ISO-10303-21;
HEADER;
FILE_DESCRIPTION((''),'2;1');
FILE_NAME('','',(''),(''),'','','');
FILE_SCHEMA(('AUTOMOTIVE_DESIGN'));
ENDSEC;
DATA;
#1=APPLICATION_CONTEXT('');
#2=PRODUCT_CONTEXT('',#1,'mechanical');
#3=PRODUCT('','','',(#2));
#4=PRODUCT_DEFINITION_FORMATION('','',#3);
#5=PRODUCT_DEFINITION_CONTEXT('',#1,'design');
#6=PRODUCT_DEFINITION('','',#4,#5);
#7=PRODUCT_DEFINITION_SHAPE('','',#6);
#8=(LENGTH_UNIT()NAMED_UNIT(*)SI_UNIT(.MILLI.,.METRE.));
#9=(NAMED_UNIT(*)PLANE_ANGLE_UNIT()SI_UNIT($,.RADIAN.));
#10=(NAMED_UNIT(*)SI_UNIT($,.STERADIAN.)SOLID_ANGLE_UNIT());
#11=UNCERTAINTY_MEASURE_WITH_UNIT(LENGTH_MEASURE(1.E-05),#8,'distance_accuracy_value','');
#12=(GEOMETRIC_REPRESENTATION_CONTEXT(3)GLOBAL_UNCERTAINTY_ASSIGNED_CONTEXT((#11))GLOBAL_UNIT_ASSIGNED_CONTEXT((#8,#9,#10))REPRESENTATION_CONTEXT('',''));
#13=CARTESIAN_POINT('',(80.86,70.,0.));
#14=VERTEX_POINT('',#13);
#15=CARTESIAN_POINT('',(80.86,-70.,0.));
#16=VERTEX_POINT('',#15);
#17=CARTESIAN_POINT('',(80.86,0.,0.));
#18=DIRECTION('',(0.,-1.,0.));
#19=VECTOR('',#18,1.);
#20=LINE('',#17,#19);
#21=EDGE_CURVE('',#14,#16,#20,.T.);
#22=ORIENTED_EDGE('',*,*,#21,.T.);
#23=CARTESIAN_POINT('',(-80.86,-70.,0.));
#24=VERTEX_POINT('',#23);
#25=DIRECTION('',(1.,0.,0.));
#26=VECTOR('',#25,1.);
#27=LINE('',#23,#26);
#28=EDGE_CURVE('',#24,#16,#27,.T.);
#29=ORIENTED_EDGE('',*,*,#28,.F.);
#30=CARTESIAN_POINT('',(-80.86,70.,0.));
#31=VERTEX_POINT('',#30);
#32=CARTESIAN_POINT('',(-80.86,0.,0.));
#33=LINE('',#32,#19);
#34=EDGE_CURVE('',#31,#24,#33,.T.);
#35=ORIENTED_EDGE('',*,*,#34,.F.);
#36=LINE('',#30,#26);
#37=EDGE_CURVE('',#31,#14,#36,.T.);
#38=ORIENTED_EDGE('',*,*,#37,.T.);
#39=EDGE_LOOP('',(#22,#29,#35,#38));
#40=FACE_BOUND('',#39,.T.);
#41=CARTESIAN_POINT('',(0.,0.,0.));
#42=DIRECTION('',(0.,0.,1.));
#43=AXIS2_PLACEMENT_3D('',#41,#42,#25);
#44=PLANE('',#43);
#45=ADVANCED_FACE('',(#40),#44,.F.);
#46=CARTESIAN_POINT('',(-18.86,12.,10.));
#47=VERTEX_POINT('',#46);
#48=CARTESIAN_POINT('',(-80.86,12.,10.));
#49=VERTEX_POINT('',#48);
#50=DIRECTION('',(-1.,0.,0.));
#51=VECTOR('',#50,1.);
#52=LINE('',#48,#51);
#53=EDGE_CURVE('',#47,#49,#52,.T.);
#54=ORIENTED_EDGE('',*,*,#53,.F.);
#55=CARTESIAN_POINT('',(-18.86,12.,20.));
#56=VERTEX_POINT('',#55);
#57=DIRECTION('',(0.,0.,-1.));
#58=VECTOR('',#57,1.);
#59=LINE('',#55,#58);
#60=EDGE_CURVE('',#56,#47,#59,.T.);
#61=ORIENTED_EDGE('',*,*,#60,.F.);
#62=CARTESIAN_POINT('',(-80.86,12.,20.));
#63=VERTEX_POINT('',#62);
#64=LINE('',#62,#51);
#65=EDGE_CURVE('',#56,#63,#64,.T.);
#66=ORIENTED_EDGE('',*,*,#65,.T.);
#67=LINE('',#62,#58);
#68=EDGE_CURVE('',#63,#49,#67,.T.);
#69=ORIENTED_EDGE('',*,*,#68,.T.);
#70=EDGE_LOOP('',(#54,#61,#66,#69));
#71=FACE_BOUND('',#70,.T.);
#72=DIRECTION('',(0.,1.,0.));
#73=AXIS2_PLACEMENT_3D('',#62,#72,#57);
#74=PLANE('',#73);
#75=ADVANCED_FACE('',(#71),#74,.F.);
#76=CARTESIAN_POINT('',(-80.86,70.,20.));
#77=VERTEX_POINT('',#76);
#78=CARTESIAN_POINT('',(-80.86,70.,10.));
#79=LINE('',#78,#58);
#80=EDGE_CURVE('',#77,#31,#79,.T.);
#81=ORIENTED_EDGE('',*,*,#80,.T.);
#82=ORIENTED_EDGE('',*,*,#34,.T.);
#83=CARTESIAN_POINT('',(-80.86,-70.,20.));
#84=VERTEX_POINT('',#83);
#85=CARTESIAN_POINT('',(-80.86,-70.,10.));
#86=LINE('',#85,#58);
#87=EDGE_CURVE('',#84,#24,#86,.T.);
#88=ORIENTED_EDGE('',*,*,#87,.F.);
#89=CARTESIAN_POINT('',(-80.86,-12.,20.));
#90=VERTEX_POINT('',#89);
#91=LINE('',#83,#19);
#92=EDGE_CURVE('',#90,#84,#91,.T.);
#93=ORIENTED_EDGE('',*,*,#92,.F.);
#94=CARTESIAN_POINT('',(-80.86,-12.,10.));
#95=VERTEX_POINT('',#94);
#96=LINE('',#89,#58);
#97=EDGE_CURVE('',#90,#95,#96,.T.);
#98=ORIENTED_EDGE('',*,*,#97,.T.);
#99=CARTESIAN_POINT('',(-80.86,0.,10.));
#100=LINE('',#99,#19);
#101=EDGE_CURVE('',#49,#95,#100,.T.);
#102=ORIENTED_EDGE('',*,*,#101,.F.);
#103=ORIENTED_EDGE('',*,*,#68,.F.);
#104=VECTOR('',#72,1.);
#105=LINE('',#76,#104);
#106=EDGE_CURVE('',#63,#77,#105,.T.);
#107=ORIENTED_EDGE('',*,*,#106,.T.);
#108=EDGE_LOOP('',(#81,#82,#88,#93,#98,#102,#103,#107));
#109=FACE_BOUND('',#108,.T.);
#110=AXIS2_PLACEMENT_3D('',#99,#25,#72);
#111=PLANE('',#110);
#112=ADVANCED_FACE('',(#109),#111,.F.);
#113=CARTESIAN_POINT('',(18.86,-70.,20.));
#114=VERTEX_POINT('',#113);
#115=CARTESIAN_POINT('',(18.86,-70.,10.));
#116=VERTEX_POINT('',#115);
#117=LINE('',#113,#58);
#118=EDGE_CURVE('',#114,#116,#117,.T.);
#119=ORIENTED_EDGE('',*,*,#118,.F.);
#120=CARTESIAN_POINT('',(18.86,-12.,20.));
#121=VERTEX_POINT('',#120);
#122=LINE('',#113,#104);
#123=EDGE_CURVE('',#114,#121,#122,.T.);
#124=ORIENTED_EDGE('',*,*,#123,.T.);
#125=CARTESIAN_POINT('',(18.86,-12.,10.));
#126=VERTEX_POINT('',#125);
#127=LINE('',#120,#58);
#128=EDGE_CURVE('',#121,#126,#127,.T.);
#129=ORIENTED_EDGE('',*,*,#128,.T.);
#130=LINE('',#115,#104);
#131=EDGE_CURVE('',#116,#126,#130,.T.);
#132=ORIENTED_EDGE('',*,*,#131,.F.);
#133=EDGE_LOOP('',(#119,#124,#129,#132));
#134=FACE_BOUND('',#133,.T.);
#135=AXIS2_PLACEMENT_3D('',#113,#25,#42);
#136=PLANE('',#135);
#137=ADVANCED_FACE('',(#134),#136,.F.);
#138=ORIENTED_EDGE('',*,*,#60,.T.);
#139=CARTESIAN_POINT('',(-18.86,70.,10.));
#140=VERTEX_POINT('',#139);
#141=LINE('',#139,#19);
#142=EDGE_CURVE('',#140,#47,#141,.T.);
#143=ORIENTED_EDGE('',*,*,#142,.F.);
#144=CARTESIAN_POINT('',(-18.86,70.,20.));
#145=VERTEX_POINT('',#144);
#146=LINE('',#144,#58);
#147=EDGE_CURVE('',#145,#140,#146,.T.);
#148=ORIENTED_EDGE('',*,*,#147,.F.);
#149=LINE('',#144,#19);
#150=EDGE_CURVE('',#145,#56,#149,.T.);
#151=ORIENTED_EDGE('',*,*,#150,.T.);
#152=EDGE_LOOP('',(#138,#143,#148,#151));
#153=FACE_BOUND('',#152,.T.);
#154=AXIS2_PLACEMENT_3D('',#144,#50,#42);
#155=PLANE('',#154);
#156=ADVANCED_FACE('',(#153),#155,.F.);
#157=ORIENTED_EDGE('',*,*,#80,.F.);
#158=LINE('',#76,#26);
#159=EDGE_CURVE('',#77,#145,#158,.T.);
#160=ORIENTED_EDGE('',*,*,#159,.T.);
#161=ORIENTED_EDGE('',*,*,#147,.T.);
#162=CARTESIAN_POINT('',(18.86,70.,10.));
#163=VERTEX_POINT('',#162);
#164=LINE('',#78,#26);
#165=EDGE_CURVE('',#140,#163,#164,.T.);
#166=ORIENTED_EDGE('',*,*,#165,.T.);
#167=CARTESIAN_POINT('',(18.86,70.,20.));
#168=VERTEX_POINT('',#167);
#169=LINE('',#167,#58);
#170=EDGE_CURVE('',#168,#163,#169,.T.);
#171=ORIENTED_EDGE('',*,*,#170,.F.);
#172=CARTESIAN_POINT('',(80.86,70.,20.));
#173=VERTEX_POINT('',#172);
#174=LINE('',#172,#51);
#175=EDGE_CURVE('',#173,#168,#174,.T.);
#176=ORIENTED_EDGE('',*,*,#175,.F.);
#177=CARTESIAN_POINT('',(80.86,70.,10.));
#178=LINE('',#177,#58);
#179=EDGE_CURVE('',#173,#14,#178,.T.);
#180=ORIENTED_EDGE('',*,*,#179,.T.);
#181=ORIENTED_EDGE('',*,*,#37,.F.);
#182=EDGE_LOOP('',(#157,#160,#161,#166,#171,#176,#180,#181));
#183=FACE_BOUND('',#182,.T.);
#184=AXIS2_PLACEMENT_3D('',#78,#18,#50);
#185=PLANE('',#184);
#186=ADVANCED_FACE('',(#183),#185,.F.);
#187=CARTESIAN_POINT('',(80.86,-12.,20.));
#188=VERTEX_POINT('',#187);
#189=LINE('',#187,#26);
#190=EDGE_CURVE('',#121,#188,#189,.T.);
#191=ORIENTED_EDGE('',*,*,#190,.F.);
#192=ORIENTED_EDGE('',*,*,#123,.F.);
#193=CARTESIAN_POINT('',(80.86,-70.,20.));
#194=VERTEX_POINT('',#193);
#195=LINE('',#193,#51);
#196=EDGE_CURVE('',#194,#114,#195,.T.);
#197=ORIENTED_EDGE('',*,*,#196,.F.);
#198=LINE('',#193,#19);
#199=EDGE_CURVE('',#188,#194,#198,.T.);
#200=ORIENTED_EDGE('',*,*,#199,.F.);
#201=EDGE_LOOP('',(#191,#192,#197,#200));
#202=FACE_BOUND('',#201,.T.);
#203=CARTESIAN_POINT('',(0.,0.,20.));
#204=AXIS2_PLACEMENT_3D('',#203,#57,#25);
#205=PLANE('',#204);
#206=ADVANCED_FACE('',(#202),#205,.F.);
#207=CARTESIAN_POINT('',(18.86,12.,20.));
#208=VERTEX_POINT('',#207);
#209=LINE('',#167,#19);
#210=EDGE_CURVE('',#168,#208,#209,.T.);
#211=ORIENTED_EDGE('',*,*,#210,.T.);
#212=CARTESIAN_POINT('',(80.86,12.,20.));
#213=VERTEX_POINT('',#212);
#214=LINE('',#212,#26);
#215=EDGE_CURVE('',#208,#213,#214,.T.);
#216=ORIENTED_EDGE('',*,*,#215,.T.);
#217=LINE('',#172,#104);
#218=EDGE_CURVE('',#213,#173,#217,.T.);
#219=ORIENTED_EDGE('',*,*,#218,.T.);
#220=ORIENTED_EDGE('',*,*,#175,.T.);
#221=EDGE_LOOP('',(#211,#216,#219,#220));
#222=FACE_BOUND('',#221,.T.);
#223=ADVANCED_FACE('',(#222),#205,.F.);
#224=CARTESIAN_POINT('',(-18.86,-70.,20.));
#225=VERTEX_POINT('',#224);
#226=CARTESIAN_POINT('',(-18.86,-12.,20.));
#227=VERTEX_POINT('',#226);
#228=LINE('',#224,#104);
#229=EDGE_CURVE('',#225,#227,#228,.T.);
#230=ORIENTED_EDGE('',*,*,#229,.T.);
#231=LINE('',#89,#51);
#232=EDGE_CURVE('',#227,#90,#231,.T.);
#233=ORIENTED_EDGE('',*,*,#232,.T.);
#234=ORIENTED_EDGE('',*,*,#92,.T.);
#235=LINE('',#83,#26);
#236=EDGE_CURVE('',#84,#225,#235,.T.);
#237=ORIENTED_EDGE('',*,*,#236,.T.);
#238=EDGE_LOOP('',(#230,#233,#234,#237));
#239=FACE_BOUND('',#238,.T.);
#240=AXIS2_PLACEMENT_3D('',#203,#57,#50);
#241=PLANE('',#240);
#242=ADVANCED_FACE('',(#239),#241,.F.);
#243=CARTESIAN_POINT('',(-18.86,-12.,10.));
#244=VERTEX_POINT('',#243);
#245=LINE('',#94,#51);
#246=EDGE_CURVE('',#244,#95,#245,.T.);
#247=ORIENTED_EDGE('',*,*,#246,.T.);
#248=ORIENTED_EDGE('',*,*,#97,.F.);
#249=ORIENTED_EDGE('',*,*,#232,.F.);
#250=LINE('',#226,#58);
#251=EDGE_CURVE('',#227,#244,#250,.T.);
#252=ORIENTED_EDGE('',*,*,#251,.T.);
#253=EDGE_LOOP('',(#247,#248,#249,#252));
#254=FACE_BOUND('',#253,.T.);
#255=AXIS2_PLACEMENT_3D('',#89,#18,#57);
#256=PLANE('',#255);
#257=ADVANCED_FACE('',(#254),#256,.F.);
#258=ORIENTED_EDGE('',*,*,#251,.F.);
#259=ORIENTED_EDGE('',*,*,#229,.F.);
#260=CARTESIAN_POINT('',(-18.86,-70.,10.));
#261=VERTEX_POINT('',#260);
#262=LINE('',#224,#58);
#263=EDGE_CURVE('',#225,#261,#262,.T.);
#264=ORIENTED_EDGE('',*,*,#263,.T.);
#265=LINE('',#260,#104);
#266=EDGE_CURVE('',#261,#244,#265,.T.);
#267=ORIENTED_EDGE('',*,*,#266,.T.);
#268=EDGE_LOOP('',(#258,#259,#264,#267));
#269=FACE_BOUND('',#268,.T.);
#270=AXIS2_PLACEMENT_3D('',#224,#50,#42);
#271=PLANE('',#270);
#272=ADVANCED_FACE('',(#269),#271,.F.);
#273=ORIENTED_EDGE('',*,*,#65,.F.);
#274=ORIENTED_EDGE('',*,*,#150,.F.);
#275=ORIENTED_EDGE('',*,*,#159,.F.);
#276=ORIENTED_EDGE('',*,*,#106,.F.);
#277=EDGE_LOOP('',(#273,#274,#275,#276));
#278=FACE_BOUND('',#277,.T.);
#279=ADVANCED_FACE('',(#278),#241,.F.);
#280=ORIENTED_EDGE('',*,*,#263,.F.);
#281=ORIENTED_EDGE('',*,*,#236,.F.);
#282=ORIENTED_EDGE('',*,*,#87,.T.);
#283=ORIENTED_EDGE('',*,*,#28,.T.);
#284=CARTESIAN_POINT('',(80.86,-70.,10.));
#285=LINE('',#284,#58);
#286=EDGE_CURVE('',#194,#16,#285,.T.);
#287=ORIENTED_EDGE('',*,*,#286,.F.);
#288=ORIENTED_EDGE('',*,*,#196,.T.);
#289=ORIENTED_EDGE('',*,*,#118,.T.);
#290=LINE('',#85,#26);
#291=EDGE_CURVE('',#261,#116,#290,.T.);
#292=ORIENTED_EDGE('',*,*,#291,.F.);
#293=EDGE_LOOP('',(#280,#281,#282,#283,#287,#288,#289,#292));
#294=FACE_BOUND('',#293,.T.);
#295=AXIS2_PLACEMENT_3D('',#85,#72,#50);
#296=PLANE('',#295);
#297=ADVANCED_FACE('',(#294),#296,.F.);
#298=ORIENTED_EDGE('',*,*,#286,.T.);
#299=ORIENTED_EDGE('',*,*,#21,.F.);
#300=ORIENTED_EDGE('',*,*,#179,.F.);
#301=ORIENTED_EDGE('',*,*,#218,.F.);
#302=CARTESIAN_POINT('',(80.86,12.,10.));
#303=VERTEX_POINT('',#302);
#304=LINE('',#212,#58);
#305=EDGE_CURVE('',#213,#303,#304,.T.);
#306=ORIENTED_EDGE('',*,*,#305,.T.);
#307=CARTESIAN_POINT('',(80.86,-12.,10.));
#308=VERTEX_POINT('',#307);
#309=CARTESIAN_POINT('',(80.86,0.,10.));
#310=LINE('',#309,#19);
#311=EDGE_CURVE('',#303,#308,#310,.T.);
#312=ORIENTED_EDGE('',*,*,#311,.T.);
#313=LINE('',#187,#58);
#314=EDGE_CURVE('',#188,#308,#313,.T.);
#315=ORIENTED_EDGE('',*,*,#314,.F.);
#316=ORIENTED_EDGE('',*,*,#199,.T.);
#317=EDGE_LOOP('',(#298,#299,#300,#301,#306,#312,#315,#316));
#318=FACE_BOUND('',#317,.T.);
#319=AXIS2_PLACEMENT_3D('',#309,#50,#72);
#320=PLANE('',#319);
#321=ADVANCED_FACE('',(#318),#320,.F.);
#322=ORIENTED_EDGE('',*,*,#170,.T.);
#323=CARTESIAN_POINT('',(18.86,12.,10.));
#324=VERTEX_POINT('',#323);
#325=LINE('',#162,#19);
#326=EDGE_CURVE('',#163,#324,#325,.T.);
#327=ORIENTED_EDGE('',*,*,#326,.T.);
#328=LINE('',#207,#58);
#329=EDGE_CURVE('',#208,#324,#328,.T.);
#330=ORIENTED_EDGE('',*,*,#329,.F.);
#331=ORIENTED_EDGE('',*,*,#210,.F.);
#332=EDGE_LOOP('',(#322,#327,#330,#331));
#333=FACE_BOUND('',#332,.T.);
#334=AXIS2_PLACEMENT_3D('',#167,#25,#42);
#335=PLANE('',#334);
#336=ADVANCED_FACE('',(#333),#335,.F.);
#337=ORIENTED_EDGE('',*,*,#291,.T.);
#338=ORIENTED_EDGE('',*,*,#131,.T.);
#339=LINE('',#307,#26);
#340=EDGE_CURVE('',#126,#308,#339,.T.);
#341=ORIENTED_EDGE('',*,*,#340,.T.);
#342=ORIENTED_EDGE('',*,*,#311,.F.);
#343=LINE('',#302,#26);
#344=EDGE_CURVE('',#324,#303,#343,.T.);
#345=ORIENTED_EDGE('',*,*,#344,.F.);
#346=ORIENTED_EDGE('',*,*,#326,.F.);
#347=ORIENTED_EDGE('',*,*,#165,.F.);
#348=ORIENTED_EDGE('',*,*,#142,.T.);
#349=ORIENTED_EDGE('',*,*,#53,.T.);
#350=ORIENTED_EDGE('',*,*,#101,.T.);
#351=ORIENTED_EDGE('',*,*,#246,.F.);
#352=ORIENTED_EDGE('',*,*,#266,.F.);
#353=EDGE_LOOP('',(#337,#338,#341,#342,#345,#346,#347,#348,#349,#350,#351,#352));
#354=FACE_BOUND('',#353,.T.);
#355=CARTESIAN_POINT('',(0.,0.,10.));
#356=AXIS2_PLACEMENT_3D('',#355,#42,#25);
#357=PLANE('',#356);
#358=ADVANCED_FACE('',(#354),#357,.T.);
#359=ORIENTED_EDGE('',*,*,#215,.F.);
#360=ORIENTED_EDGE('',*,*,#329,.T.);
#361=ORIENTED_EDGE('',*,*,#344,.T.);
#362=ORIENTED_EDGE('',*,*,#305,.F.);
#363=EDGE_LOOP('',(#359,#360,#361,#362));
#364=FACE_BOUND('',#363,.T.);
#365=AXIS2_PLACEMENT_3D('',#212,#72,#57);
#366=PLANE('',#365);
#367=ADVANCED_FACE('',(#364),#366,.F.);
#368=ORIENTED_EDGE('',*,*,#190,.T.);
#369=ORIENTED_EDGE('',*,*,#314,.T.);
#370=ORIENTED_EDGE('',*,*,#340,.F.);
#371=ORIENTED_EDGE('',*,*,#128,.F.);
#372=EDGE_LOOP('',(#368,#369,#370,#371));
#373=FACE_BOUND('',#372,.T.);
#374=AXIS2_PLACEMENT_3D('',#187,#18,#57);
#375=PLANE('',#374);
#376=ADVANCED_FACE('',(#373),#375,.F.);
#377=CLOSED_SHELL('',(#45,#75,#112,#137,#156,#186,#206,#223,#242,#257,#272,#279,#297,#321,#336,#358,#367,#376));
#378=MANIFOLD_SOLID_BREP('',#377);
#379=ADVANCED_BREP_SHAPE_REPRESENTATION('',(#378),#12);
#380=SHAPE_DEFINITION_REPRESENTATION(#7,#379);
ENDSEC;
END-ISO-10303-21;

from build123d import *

# Parameters (mm, degrees)
SKETCH1_W           = 80.86
SKETCH1_H           = 70
BOSS_EXTRUDE1_DEPTH = 10
SKETCH2_W           = 62
SKETCH2_H           = 58
BOSS_EXTRUDE2_DEPTH = 10


with BuildPart() as part:
    # Sketch1 → Boss-Extrude1 (new body)
    with BuildSketch(Plane.XY):
        with Locations((-40.43, -35)):
            Rectangle(SKETCH1_W, SKETCH1_H)
    extrude(amount=BOSS_EXTRUDE1_DEPTH)

    # Sketch2 → Boss-Extrude2 (add)
    with BuildSketch(Plane.XY.offset(10)):
        with Locations((-49.86, -41)):
            Rectangle(SKETCH2_W, SKETCH2_H)
    extrude(amount=BOSS_EXTRUDE2_DEPTH)

    # Mirror1: part across plane


with BuildPart() as part_1:
    add(part.part)
    add(part.part.mirror(Plane(origin=(0, 0, 10), x_dir=(0, 0, 1), z_dir=(-1, 0, 0))))

    # Mirror2: part across plane


with BuildPart() as part_2:
    add(part_1.part)
    add(part_1.part.mirror(Plane(origin=(-80.86, 0, 10), x_dir=(0, 0, 1), z_dir=(0, -1, 0))))


solid = part_2.part
